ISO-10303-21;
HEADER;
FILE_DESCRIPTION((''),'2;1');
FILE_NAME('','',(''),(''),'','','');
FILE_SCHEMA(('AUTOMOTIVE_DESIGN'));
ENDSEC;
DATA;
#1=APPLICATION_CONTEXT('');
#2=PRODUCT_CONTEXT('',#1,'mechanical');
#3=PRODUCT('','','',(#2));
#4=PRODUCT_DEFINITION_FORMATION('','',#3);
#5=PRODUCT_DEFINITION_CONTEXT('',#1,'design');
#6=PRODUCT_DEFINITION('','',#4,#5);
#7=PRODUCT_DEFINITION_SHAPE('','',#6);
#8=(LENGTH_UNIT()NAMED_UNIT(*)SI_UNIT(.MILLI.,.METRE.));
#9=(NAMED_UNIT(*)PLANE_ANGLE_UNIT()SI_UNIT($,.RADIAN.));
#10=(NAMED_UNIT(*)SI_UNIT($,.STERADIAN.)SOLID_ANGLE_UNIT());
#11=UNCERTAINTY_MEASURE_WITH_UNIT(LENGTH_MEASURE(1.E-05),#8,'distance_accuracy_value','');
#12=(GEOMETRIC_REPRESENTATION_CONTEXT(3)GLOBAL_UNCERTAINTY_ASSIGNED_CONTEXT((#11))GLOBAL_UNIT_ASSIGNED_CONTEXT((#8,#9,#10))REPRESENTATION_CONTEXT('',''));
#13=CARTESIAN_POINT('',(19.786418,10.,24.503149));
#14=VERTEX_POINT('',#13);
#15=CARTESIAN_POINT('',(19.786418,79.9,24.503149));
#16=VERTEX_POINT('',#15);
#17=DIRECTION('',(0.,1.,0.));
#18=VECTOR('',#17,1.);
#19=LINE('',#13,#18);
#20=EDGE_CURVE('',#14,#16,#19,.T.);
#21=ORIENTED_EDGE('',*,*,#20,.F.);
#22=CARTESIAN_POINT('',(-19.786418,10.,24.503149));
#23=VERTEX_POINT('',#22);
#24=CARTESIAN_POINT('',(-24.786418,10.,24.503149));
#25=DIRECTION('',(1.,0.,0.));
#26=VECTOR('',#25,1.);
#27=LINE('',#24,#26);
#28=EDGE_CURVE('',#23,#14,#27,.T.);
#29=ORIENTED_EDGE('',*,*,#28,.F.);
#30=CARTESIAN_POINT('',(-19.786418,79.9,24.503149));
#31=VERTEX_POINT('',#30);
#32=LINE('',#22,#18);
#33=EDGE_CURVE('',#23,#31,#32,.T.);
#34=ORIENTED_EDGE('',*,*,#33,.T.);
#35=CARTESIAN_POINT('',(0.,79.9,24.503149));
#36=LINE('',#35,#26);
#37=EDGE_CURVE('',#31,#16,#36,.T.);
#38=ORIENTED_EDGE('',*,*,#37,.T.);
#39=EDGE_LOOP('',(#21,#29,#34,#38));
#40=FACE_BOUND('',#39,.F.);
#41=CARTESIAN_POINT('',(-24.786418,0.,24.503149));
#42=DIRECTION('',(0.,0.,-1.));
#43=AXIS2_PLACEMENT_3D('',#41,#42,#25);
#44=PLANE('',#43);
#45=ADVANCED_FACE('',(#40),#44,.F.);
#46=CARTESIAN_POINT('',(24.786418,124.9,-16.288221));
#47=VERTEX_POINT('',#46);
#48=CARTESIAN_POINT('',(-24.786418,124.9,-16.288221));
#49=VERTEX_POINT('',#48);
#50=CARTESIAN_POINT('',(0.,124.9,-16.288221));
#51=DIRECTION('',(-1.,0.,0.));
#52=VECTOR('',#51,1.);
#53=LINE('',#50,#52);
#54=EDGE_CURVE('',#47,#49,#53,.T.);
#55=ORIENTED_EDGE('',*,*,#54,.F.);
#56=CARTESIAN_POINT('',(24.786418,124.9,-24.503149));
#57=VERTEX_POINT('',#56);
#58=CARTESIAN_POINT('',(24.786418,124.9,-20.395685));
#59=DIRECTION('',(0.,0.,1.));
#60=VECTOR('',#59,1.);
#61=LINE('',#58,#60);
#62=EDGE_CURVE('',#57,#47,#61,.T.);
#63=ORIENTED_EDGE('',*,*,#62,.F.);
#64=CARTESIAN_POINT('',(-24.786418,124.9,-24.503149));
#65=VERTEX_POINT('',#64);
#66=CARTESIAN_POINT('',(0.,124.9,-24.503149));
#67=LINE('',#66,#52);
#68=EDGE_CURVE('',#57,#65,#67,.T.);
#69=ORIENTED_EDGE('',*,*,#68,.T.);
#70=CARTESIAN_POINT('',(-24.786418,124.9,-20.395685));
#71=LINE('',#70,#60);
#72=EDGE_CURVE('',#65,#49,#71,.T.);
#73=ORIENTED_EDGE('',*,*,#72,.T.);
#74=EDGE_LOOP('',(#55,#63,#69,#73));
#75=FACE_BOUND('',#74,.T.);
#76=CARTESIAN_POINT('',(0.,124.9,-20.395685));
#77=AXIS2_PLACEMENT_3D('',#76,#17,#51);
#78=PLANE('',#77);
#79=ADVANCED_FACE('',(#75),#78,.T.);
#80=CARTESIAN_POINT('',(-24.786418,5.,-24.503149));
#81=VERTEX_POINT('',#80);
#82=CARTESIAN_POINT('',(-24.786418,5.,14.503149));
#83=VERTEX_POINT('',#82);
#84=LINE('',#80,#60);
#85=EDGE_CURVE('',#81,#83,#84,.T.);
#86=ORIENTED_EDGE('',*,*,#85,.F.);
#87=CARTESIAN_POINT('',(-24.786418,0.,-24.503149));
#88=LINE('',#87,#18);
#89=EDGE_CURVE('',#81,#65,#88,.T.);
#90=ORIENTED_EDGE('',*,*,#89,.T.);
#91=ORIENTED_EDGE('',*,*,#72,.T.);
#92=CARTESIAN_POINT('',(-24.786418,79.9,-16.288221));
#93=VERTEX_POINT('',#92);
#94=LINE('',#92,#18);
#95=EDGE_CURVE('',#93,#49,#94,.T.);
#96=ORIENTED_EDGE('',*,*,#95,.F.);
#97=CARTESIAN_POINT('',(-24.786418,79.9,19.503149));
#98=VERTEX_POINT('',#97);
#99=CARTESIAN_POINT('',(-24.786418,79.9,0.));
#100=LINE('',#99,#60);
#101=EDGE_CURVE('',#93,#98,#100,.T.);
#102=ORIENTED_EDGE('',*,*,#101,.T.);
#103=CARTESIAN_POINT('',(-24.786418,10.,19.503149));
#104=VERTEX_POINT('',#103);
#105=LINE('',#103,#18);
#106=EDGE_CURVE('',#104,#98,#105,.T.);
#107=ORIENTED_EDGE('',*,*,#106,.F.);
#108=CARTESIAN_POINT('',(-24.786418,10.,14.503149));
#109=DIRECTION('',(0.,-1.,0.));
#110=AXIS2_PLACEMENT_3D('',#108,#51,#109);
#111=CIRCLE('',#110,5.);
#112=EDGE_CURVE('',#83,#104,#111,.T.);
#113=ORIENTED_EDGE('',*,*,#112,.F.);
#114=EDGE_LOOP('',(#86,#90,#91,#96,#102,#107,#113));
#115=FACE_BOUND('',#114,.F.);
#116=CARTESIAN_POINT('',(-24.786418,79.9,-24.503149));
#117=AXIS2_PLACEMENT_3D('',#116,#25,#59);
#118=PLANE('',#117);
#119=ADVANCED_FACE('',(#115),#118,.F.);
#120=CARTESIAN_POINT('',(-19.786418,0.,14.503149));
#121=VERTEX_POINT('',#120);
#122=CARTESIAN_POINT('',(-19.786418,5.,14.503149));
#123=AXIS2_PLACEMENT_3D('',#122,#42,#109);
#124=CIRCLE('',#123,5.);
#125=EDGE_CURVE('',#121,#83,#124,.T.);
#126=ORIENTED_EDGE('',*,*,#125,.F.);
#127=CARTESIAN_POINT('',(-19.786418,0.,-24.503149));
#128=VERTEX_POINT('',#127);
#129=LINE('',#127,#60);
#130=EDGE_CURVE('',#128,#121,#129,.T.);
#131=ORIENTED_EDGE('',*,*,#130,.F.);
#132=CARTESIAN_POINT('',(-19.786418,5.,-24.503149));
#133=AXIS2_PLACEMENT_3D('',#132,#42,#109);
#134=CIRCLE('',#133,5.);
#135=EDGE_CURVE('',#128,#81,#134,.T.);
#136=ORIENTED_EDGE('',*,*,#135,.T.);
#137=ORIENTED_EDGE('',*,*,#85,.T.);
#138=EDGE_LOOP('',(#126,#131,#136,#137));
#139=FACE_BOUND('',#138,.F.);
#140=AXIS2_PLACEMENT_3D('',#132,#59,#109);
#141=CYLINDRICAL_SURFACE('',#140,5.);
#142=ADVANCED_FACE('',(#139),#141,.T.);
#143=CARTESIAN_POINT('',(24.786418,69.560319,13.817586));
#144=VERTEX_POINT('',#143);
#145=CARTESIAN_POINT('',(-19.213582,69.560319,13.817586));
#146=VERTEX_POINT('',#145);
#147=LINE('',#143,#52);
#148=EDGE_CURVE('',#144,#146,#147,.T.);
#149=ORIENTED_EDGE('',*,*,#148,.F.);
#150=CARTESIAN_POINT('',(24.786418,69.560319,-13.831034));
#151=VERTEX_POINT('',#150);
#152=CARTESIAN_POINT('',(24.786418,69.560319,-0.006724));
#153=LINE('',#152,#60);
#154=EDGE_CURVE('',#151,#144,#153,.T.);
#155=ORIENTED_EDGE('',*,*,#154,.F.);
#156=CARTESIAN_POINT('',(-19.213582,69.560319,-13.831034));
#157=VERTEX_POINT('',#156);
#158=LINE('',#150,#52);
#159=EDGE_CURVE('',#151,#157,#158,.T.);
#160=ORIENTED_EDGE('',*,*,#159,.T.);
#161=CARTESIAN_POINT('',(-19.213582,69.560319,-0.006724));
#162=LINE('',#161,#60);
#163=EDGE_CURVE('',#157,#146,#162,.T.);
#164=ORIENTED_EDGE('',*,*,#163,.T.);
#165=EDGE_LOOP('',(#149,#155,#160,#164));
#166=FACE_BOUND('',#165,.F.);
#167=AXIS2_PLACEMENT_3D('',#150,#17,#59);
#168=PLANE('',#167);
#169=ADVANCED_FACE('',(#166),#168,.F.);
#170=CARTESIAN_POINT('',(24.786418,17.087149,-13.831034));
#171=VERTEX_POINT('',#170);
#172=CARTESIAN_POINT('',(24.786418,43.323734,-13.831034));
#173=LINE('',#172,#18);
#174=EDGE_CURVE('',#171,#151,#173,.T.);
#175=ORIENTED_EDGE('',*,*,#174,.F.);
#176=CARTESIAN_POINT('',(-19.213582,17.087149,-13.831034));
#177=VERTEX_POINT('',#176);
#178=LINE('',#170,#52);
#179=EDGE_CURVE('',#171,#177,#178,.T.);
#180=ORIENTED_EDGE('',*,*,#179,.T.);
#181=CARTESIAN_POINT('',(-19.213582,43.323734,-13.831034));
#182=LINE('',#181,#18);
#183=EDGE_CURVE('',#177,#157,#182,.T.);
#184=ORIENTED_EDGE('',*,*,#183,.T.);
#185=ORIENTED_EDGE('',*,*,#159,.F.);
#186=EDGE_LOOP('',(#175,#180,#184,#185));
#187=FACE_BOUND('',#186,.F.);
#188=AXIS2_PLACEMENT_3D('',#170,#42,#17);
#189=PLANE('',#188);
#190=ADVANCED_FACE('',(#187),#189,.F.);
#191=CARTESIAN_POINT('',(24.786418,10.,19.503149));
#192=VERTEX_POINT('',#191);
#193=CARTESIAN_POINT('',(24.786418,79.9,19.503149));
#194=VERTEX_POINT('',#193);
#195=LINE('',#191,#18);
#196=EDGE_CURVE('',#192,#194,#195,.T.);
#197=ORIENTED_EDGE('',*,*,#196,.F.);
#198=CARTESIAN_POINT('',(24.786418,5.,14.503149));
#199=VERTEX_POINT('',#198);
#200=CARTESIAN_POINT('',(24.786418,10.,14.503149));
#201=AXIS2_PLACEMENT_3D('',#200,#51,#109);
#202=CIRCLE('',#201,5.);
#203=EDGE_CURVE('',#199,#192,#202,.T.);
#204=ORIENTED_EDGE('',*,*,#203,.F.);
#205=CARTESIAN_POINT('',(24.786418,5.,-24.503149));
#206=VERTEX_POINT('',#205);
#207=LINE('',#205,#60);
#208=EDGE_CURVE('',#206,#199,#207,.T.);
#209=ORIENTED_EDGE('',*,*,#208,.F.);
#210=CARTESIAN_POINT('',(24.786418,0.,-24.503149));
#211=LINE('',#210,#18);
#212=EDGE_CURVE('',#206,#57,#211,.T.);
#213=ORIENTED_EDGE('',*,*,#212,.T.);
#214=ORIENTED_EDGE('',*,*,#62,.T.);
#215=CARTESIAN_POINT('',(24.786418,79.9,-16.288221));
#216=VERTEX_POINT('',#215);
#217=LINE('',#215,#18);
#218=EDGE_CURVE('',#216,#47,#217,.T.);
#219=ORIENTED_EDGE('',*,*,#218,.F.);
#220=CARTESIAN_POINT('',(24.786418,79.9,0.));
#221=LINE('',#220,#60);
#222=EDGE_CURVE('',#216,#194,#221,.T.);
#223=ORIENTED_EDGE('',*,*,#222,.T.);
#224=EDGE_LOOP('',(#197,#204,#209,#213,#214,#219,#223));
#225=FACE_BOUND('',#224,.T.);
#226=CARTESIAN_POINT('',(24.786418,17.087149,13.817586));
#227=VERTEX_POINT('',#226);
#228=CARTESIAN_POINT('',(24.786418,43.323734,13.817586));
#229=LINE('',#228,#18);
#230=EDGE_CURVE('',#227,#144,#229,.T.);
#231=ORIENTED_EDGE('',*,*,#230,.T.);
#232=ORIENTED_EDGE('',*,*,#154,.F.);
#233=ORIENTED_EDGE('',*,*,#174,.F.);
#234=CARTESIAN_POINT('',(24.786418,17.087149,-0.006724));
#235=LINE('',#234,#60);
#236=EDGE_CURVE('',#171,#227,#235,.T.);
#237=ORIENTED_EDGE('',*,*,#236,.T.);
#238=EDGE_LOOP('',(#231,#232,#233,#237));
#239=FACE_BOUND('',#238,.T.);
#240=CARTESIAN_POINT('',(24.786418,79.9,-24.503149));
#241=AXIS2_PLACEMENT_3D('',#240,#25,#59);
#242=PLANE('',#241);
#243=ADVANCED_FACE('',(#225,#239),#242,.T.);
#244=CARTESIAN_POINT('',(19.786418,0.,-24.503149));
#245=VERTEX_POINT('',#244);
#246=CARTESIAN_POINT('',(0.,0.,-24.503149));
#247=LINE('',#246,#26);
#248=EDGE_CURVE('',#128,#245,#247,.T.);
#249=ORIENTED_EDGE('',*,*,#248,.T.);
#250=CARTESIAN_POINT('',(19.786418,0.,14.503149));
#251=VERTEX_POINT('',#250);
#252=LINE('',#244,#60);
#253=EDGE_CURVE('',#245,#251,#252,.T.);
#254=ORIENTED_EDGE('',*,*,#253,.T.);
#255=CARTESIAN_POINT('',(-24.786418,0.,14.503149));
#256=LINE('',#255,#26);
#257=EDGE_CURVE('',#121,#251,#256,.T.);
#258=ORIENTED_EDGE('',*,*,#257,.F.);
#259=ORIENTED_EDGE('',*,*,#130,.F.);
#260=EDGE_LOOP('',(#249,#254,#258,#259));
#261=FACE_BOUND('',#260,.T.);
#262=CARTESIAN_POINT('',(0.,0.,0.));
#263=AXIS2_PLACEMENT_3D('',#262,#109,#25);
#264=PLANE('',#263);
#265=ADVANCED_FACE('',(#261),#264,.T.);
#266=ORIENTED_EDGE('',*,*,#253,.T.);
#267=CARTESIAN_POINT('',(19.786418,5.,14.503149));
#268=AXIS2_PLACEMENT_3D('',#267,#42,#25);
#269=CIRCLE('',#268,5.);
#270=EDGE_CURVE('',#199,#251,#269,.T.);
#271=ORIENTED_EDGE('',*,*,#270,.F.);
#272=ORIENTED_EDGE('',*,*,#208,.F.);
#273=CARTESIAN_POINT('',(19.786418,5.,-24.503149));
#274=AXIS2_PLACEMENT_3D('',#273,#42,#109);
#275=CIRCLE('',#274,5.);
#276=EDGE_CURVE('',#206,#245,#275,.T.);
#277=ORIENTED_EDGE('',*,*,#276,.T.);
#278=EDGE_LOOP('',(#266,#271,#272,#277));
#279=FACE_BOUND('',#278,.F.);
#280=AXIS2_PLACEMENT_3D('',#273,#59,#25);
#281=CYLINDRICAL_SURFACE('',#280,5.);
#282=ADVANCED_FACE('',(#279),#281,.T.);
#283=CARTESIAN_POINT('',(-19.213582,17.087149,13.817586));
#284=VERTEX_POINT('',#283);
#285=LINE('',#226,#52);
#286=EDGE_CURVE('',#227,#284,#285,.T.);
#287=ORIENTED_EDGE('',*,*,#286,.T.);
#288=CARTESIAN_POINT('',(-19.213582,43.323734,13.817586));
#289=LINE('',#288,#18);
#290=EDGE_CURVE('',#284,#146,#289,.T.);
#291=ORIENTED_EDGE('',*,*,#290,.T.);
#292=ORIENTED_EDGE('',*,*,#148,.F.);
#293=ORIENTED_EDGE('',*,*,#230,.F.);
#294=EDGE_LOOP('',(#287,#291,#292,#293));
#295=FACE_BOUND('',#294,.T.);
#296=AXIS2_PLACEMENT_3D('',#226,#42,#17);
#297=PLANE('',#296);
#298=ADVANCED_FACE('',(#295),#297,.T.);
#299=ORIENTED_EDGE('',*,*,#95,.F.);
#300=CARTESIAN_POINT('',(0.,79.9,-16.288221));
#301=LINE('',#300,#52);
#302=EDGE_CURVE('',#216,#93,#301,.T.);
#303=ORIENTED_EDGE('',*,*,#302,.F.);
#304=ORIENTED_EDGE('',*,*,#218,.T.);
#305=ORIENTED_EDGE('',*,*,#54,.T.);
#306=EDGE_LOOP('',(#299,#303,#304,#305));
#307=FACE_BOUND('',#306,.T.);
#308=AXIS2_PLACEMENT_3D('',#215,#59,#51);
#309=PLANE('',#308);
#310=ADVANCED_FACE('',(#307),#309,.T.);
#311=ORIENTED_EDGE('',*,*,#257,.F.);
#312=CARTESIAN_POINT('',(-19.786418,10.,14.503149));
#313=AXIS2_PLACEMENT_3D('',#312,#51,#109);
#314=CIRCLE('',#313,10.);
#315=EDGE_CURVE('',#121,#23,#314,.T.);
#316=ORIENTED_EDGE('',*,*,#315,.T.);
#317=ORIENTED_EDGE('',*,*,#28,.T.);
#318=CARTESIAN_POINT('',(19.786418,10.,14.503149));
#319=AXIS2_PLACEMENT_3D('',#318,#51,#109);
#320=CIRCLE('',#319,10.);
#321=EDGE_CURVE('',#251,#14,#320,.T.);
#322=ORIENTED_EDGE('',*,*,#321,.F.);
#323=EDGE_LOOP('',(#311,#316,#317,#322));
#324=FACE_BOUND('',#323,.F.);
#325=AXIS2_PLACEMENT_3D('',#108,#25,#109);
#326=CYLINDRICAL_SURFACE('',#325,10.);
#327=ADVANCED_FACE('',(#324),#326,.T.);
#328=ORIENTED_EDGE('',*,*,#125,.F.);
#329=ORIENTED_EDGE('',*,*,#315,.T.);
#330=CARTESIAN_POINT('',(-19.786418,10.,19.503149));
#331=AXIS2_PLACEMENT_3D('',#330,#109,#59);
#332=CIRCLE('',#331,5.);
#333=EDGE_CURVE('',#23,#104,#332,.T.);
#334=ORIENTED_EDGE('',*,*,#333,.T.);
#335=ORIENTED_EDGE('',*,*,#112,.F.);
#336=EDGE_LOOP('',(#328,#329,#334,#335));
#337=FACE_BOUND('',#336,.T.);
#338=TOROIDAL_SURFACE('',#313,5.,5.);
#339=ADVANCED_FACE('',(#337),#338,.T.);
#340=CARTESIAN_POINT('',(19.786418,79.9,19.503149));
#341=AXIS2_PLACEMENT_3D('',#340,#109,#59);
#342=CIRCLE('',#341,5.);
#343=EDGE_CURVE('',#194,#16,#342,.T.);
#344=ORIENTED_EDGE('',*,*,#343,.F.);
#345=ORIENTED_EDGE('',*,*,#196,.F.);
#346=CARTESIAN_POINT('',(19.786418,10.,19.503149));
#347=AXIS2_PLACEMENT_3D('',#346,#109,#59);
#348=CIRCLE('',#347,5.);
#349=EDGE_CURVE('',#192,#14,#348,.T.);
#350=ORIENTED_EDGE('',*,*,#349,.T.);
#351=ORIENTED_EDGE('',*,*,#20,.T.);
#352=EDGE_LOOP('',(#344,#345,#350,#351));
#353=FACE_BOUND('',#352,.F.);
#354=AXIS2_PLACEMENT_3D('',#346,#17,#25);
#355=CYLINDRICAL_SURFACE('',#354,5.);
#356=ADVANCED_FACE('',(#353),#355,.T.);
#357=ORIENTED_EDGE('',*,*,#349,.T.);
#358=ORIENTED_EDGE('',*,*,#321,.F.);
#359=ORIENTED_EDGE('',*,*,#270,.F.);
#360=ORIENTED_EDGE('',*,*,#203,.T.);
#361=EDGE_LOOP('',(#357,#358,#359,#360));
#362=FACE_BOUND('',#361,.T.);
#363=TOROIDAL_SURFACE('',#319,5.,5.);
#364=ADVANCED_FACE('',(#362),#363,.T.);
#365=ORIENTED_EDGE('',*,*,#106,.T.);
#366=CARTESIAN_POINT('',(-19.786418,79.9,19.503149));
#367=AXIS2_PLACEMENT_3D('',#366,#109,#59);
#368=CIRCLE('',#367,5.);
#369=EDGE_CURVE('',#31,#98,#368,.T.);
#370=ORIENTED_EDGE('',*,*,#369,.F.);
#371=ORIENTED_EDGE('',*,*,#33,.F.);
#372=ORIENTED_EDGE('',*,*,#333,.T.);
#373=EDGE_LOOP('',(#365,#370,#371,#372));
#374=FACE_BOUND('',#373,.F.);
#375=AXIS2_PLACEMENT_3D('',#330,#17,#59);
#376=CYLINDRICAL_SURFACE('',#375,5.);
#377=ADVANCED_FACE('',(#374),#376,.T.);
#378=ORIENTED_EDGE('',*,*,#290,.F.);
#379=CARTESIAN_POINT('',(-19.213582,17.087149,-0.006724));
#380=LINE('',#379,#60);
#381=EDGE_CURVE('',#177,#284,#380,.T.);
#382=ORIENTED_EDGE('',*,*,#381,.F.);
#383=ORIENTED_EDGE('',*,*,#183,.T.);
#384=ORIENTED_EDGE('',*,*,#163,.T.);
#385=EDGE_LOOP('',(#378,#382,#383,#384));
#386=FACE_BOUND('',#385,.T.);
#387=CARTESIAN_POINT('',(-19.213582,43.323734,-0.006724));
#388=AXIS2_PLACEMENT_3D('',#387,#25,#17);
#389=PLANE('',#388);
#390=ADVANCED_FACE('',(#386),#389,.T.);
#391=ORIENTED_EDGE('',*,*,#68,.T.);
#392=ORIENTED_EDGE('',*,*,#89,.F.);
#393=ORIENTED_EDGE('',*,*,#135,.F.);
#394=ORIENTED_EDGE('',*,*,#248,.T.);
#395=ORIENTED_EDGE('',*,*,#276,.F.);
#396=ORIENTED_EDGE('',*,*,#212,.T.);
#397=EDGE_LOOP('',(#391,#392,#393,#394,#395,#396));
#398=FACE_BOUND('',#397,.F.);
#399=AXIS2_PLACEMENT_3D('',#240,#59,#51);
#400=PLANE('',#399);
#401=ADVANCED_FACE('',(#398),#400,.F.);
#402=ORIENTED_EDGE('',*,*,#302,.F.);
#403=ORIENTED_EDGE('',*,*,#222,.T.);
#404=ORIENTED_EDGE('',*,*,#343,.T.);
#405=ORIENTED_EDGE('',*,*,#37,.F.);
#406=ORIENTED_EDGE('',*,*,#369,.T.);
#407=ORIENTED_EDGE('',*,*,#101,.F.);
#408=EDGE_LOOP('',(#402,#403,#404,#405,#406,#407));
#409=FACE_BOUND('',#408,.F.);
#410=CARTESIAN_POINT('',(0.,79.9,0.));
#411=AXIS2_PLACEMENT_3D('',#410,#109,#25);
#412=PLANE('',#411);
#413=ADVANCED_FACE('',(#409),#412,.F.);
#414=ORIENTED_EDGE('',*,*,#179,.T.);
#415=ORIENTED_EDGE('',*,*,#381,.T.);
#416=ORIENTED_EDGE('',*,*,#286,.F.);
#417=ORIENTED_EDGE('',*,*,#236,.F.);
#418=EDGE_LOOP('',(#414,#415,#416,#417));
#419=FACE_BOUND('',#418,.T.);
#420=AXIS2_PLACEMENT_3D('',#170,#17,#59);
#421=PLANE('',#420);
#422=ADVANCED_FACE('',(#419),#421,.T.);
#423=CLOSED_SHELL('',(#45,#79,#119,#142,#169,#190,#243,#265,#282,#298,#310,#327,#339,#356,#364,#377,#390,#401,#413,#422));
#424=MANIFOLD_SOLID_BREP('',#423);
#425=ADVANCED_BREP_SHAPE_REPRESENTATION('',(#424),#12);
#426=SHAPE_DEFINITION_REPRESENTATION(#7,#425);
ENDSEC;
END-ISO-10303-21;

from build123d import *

# Parameters (mm, degrees)
F0_W     = 49.5728366077
F0_H     = 49.0062981844
F1_DEPTH = 79.9
F2_W     = 49.5728366077
F2_H     = 8.2149282098
F3_DEPTH = 45
F4_R     = 10
F5_R     = 5
F7_W     = 52.4731706828
F7_H     = 27.6486203074
F8_DEPTH = 44


with BuildPart() as f1:
    # F0 (on Front) → F1 (new body)
    with BuildSketch(Plane.XZ):
        Rectangle(F0_W, F0_H)
    extrude(amount=-F1_DEPTH)

    # F2 (on face) → F3 (join)
    with BuildSketch(Plane(origin=(0, 79.9, 0), x_dir=(-1, 0, 0), z_dir=(0, 1, 0))):
        with Locations((0, -20.3956849873)):
            Rectangle(F2_W, F2_H)
    extrude(amount=F3_DEPTH)

    # F4
    f4_edges = [f1.edges().sort_by_distance(p)[0] for p in [
        (0, 0, 24.503149),
    ]]
    fillet(f4_edges, radius=F4_R)

    # F5
    f5_edges = [f1.edges().sort_by_distance(p)[0] for p in [
        (24.786418, 2.928932, 21.574217),
        (-24.786418, 2.928932, 21.574217),
    ]]
    fillet(f5_edges, radius=F5_R)

    # F7 (on face) → F8 (cut)
    with BuildSketch(Plane.YZ.offset(24.7864183038)):
        with Locations((43.3237338439, -0.006724149)):
            Rectangle(F7_W, F7_H)
    extrude(amount=-F8_DEPTH, mode=Mode.SUBTRACT)


solid = f1.part
